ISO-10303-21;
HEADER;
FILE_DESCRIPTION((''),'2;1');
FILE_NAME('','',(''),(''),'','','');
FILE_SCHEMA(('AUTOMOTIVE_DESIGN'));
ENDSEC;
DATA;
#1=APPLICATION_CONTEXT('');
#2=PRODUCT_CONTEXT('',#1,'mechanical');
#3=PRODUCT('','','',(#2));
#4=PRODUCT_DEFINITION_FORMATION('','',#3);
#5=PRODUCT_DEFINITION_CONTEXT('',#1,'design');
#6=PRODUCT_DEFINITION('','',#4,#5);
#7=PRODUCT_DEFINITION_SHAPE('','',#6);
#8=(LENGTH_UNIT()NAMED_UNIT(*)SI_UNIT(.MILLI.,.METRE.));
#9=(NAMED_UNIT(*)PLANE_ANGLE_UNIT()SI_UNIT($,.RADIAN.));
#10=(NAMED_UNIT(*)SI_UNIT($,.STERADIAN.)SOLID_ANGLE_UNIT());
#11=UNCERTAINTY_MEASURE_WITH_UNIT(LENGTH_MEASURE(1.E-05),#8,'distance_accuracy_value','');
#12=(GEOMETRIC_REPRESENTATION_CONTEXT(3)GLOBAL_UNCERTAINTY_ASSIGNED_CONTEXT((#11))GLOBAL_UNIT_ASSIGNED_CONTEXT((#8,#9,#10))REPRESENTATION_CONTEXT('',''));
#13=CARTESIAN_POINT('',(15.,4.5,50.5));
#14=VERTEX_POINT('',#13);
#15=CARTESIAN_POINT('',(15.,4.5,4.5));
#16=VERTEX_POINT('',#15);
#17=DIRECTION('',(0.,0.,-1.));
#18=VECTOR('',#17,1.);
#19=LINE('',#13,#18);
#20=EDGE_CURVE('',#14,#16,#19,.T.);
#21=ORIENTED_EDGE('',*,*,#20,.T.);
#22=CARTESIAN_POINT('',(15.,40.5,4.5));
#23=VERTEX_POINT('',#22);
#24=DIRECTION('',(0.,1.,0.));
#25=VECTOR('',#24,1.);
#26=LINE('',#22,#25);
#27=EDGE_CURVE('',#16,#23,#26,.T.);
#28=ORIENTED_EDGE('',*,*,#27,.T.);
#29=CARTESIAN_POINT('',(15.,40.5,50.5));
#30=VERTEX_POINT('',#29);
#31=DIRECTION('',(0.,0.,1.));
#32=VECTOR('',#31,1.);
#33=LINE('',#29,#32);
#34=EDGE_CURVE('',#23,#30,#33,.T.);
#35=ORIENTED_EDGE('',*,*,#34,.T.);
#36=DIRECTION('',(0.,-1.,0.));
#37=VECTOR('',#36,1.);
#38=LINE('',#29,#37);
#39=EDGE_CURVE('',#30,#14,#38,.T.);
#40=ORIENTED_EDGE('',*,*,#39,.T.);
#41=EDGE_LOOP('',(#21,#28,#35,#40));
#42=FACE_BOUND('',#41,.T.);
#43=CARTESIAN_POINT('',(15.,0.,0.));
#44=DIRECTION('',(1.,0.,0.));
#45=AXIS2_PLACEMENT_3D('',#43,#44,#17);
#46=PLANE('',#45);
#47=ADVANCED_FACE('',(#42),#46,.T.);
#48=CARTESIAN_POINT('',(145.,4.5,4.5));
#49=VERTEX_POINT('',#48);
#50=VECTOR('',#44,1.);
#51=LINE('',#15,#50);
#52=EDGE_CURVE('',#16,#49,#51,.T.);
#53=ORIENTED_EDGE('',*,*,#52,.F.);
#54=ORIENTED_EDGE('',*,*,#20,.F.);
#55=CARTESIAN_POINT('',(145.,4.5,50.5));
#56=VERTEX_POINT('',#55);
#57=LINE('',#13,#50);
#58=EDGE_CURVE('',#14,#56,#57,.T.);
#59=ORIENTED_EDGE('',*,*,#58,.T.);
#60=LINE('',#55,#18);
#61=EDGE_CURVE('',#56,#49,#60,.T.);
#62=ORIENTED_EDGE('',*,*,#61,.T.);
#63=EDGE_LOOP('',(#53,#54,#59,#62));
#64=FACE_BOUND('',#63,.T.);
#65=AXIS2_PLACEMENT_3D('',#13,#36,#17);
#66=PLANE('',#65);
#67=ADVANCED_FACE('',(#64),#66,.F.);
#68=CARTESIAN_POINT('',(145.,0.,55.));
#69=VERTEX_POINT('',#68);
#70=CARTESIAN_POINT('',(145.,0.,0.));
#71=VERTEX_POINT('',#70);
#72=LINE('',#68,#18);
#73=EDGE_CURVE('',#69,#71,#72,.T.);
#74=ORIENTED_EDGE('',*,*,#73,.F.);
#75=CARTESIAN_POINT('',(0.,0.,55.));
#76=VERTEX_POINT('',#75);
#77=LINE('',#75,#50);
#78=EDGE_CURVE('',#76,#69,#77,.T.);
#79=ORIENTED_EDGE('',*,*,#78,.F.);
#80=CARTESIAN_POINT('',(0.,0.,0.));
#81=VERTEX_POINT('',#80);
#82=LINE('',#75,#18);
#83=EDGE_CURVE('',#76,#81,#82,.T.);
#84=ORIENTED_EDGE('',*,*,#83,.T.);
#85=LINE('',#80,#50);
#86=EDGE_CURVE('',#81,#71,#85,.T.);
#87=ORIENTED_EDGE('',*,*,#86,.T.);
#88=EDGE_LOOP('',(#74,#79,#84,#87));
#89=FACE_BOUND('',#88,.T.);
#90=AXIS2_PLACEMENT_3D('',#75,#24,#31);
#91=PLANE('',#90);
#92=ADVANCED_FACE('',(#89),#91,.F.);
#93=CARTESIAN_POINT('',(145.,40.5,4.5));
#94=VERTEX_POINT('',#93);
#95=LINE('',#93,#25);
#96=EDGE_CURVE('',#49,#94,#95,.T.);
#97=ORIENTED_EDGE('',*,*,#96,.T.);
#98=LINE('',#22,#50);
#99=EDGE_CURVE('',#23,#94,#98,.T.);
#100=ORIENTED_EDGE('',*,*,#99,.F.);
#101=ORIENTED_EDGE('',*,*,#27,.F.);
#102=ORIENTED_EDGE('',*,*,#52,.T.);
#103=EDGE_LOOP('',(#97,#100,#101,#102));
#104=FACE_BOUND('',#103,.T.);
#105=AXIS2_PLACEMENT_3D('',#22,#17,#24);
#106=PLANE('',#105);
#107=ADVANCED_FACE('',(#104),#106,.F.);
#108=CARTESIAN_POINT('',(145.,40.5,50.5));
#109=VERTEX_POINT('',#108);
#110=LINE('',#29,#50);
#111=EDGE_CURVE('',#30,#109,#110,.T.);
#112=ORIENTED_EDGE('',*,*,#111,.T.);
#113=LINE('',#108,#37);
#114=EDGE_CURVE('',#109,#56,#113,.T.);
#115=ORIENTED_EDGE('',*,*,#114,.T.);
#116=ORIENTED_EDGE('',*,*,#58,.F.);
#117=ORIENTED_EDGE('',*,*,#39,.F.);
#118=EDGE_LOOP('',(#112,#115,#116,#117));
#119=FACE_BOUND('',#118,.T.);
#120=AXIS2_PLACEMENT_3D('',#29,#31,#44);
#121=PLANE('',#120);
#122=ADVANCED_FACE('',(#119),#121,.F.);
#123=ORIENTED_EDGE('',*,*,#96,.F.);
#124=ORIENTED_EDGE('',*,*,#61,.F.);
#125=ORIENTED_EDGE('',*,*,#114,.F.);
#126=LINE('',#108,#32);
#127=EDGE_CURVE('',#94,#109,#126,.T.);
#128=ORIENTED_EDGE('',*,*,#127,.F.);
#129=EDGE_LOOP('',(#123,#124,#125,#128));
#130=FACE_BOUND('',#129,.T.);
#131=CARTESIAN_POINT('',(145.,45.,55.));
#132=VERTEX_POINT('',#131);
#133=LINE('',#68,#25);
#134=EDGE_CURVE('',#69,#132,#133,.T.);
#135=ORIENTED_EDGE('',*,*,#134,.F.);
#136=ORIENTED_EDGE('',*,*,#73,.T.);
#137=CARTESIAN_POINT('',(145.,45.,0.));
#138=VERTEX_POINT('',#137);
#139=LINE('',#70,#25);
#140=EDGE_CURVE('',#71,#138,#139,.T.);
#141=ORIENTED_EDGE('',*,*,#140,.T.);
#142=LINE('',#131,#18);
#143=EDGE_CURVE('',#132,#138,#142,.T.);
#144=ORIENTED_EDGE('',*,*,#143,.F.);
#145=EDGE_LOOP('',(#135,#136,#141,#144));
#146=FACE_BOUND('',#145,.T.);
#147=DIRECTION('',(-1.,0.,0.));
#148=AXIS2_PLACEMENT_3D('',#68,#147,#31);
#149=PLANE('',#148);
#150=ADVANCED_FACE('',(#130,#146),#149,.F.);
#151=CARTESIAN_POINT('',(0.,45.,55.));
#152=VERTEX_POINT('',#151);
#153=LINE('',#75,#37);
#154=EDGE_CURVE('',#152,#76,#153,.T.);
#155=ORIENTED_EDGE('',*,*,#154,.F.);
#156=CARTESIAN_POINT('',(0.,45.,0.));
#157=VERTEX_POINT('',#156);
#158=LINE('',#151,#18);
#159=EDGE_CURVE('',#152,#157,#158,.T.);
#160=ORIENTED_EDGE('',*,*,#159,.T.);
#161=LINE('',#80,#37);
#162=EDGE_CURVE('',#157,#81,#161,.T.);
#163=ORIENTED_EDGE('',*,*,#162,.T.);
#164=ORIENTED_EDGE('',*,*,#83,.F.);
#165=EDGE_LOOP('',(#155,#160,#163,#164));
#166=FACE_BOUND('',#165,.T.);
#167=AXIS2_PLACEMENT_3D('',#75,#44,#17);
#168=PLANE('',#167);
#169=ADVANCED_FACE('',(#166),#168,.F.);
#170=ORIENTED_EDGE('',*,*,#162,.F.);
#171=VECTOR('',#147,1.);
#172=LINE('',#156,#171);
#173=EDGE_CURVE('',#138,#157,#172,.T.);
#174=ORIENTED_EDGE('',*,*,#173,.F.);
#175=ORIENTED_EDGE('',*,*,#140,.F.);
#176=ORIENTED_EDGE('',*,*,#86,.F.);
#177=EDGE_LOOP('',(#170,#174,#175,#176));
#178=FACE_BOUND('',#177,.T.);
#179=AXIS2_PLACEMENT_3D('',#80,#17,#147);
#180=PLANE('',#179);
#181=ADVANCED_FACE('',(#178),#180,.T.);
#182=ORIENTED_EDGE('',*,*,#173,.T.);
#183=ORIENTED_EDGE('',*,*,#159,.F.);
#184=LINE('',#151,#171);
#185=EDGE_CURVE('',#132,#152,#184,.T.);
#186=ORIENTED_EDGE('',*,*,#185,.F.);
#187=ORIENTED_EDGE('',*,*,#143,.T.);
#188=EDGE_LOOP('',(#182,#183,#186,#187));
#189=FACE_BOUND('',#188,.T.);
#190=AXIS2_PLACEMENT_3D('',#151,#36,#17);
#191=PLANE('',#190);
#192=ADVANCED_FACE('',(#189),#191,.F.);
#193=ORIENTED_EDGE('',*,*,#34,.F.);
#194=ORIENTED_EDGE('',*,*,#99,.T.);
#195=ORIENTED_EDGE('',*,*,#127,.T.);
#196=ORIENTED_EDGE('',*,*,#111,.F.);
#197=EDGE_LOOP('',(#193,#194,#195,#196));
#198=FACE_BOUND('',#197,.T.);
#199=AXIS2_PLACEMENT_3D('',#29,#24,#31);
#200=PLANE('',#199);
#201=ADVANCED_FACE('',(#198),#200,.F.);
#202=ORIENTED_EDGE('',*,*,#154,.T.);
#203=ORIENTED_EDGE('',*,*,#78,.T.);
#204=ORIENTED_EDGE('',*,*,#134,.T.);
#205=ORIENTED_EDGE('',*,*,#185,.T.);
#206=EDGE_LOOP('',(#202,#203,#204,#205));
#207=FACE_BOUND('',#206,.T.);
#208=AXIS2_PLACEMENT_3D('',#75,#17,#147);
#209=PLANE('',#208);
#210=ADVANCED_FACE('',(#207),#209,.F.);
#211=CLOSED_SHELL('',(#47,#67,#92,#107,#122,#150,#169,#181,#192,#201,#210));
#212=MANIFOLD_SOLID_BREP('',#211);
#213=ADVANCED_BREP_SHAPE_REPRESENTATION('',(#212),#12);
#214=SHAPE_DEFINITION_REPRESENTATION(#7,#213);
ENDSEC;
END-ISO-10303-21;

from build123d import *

# Parameters (mm, degrees)
SKETCH1_W           = 145
SKETCH1_H           = 45
BOSS_EXTRUDE1_DEPTH = 55
SKETCH2_W           = 46
SKETCH2_H           = 36
CUT_EXTRUDE1_DEPTH  = 130


with BuildPart() as part:
    # Sketch1 → Boss-Extrude1 (new body)
    with BuildSketch(Plane.XY):
        with Locations((72.5, 22.5)):
            Rectangle(SKETCH1_W, SKETCH1_H)
    extrude(amount=BOSS_EXTRUDE1_DEPTH)

    # Sketch2 → Cut-Extrude1 (cut)
    with BuildSketch(Plane(origin=(145, 0, 0), x_dir=(0, 0, -1), z_dir=(1, 0, 0))):
        with Locations((-27.5, 22.5)):
            Rectangle(SKETCH2_W, SKETCH2_H)
    extrude(amount=-CUT_EXTRUDE1_DEPTH, mode=Mode.SUBTRACT)


solid = part.part
